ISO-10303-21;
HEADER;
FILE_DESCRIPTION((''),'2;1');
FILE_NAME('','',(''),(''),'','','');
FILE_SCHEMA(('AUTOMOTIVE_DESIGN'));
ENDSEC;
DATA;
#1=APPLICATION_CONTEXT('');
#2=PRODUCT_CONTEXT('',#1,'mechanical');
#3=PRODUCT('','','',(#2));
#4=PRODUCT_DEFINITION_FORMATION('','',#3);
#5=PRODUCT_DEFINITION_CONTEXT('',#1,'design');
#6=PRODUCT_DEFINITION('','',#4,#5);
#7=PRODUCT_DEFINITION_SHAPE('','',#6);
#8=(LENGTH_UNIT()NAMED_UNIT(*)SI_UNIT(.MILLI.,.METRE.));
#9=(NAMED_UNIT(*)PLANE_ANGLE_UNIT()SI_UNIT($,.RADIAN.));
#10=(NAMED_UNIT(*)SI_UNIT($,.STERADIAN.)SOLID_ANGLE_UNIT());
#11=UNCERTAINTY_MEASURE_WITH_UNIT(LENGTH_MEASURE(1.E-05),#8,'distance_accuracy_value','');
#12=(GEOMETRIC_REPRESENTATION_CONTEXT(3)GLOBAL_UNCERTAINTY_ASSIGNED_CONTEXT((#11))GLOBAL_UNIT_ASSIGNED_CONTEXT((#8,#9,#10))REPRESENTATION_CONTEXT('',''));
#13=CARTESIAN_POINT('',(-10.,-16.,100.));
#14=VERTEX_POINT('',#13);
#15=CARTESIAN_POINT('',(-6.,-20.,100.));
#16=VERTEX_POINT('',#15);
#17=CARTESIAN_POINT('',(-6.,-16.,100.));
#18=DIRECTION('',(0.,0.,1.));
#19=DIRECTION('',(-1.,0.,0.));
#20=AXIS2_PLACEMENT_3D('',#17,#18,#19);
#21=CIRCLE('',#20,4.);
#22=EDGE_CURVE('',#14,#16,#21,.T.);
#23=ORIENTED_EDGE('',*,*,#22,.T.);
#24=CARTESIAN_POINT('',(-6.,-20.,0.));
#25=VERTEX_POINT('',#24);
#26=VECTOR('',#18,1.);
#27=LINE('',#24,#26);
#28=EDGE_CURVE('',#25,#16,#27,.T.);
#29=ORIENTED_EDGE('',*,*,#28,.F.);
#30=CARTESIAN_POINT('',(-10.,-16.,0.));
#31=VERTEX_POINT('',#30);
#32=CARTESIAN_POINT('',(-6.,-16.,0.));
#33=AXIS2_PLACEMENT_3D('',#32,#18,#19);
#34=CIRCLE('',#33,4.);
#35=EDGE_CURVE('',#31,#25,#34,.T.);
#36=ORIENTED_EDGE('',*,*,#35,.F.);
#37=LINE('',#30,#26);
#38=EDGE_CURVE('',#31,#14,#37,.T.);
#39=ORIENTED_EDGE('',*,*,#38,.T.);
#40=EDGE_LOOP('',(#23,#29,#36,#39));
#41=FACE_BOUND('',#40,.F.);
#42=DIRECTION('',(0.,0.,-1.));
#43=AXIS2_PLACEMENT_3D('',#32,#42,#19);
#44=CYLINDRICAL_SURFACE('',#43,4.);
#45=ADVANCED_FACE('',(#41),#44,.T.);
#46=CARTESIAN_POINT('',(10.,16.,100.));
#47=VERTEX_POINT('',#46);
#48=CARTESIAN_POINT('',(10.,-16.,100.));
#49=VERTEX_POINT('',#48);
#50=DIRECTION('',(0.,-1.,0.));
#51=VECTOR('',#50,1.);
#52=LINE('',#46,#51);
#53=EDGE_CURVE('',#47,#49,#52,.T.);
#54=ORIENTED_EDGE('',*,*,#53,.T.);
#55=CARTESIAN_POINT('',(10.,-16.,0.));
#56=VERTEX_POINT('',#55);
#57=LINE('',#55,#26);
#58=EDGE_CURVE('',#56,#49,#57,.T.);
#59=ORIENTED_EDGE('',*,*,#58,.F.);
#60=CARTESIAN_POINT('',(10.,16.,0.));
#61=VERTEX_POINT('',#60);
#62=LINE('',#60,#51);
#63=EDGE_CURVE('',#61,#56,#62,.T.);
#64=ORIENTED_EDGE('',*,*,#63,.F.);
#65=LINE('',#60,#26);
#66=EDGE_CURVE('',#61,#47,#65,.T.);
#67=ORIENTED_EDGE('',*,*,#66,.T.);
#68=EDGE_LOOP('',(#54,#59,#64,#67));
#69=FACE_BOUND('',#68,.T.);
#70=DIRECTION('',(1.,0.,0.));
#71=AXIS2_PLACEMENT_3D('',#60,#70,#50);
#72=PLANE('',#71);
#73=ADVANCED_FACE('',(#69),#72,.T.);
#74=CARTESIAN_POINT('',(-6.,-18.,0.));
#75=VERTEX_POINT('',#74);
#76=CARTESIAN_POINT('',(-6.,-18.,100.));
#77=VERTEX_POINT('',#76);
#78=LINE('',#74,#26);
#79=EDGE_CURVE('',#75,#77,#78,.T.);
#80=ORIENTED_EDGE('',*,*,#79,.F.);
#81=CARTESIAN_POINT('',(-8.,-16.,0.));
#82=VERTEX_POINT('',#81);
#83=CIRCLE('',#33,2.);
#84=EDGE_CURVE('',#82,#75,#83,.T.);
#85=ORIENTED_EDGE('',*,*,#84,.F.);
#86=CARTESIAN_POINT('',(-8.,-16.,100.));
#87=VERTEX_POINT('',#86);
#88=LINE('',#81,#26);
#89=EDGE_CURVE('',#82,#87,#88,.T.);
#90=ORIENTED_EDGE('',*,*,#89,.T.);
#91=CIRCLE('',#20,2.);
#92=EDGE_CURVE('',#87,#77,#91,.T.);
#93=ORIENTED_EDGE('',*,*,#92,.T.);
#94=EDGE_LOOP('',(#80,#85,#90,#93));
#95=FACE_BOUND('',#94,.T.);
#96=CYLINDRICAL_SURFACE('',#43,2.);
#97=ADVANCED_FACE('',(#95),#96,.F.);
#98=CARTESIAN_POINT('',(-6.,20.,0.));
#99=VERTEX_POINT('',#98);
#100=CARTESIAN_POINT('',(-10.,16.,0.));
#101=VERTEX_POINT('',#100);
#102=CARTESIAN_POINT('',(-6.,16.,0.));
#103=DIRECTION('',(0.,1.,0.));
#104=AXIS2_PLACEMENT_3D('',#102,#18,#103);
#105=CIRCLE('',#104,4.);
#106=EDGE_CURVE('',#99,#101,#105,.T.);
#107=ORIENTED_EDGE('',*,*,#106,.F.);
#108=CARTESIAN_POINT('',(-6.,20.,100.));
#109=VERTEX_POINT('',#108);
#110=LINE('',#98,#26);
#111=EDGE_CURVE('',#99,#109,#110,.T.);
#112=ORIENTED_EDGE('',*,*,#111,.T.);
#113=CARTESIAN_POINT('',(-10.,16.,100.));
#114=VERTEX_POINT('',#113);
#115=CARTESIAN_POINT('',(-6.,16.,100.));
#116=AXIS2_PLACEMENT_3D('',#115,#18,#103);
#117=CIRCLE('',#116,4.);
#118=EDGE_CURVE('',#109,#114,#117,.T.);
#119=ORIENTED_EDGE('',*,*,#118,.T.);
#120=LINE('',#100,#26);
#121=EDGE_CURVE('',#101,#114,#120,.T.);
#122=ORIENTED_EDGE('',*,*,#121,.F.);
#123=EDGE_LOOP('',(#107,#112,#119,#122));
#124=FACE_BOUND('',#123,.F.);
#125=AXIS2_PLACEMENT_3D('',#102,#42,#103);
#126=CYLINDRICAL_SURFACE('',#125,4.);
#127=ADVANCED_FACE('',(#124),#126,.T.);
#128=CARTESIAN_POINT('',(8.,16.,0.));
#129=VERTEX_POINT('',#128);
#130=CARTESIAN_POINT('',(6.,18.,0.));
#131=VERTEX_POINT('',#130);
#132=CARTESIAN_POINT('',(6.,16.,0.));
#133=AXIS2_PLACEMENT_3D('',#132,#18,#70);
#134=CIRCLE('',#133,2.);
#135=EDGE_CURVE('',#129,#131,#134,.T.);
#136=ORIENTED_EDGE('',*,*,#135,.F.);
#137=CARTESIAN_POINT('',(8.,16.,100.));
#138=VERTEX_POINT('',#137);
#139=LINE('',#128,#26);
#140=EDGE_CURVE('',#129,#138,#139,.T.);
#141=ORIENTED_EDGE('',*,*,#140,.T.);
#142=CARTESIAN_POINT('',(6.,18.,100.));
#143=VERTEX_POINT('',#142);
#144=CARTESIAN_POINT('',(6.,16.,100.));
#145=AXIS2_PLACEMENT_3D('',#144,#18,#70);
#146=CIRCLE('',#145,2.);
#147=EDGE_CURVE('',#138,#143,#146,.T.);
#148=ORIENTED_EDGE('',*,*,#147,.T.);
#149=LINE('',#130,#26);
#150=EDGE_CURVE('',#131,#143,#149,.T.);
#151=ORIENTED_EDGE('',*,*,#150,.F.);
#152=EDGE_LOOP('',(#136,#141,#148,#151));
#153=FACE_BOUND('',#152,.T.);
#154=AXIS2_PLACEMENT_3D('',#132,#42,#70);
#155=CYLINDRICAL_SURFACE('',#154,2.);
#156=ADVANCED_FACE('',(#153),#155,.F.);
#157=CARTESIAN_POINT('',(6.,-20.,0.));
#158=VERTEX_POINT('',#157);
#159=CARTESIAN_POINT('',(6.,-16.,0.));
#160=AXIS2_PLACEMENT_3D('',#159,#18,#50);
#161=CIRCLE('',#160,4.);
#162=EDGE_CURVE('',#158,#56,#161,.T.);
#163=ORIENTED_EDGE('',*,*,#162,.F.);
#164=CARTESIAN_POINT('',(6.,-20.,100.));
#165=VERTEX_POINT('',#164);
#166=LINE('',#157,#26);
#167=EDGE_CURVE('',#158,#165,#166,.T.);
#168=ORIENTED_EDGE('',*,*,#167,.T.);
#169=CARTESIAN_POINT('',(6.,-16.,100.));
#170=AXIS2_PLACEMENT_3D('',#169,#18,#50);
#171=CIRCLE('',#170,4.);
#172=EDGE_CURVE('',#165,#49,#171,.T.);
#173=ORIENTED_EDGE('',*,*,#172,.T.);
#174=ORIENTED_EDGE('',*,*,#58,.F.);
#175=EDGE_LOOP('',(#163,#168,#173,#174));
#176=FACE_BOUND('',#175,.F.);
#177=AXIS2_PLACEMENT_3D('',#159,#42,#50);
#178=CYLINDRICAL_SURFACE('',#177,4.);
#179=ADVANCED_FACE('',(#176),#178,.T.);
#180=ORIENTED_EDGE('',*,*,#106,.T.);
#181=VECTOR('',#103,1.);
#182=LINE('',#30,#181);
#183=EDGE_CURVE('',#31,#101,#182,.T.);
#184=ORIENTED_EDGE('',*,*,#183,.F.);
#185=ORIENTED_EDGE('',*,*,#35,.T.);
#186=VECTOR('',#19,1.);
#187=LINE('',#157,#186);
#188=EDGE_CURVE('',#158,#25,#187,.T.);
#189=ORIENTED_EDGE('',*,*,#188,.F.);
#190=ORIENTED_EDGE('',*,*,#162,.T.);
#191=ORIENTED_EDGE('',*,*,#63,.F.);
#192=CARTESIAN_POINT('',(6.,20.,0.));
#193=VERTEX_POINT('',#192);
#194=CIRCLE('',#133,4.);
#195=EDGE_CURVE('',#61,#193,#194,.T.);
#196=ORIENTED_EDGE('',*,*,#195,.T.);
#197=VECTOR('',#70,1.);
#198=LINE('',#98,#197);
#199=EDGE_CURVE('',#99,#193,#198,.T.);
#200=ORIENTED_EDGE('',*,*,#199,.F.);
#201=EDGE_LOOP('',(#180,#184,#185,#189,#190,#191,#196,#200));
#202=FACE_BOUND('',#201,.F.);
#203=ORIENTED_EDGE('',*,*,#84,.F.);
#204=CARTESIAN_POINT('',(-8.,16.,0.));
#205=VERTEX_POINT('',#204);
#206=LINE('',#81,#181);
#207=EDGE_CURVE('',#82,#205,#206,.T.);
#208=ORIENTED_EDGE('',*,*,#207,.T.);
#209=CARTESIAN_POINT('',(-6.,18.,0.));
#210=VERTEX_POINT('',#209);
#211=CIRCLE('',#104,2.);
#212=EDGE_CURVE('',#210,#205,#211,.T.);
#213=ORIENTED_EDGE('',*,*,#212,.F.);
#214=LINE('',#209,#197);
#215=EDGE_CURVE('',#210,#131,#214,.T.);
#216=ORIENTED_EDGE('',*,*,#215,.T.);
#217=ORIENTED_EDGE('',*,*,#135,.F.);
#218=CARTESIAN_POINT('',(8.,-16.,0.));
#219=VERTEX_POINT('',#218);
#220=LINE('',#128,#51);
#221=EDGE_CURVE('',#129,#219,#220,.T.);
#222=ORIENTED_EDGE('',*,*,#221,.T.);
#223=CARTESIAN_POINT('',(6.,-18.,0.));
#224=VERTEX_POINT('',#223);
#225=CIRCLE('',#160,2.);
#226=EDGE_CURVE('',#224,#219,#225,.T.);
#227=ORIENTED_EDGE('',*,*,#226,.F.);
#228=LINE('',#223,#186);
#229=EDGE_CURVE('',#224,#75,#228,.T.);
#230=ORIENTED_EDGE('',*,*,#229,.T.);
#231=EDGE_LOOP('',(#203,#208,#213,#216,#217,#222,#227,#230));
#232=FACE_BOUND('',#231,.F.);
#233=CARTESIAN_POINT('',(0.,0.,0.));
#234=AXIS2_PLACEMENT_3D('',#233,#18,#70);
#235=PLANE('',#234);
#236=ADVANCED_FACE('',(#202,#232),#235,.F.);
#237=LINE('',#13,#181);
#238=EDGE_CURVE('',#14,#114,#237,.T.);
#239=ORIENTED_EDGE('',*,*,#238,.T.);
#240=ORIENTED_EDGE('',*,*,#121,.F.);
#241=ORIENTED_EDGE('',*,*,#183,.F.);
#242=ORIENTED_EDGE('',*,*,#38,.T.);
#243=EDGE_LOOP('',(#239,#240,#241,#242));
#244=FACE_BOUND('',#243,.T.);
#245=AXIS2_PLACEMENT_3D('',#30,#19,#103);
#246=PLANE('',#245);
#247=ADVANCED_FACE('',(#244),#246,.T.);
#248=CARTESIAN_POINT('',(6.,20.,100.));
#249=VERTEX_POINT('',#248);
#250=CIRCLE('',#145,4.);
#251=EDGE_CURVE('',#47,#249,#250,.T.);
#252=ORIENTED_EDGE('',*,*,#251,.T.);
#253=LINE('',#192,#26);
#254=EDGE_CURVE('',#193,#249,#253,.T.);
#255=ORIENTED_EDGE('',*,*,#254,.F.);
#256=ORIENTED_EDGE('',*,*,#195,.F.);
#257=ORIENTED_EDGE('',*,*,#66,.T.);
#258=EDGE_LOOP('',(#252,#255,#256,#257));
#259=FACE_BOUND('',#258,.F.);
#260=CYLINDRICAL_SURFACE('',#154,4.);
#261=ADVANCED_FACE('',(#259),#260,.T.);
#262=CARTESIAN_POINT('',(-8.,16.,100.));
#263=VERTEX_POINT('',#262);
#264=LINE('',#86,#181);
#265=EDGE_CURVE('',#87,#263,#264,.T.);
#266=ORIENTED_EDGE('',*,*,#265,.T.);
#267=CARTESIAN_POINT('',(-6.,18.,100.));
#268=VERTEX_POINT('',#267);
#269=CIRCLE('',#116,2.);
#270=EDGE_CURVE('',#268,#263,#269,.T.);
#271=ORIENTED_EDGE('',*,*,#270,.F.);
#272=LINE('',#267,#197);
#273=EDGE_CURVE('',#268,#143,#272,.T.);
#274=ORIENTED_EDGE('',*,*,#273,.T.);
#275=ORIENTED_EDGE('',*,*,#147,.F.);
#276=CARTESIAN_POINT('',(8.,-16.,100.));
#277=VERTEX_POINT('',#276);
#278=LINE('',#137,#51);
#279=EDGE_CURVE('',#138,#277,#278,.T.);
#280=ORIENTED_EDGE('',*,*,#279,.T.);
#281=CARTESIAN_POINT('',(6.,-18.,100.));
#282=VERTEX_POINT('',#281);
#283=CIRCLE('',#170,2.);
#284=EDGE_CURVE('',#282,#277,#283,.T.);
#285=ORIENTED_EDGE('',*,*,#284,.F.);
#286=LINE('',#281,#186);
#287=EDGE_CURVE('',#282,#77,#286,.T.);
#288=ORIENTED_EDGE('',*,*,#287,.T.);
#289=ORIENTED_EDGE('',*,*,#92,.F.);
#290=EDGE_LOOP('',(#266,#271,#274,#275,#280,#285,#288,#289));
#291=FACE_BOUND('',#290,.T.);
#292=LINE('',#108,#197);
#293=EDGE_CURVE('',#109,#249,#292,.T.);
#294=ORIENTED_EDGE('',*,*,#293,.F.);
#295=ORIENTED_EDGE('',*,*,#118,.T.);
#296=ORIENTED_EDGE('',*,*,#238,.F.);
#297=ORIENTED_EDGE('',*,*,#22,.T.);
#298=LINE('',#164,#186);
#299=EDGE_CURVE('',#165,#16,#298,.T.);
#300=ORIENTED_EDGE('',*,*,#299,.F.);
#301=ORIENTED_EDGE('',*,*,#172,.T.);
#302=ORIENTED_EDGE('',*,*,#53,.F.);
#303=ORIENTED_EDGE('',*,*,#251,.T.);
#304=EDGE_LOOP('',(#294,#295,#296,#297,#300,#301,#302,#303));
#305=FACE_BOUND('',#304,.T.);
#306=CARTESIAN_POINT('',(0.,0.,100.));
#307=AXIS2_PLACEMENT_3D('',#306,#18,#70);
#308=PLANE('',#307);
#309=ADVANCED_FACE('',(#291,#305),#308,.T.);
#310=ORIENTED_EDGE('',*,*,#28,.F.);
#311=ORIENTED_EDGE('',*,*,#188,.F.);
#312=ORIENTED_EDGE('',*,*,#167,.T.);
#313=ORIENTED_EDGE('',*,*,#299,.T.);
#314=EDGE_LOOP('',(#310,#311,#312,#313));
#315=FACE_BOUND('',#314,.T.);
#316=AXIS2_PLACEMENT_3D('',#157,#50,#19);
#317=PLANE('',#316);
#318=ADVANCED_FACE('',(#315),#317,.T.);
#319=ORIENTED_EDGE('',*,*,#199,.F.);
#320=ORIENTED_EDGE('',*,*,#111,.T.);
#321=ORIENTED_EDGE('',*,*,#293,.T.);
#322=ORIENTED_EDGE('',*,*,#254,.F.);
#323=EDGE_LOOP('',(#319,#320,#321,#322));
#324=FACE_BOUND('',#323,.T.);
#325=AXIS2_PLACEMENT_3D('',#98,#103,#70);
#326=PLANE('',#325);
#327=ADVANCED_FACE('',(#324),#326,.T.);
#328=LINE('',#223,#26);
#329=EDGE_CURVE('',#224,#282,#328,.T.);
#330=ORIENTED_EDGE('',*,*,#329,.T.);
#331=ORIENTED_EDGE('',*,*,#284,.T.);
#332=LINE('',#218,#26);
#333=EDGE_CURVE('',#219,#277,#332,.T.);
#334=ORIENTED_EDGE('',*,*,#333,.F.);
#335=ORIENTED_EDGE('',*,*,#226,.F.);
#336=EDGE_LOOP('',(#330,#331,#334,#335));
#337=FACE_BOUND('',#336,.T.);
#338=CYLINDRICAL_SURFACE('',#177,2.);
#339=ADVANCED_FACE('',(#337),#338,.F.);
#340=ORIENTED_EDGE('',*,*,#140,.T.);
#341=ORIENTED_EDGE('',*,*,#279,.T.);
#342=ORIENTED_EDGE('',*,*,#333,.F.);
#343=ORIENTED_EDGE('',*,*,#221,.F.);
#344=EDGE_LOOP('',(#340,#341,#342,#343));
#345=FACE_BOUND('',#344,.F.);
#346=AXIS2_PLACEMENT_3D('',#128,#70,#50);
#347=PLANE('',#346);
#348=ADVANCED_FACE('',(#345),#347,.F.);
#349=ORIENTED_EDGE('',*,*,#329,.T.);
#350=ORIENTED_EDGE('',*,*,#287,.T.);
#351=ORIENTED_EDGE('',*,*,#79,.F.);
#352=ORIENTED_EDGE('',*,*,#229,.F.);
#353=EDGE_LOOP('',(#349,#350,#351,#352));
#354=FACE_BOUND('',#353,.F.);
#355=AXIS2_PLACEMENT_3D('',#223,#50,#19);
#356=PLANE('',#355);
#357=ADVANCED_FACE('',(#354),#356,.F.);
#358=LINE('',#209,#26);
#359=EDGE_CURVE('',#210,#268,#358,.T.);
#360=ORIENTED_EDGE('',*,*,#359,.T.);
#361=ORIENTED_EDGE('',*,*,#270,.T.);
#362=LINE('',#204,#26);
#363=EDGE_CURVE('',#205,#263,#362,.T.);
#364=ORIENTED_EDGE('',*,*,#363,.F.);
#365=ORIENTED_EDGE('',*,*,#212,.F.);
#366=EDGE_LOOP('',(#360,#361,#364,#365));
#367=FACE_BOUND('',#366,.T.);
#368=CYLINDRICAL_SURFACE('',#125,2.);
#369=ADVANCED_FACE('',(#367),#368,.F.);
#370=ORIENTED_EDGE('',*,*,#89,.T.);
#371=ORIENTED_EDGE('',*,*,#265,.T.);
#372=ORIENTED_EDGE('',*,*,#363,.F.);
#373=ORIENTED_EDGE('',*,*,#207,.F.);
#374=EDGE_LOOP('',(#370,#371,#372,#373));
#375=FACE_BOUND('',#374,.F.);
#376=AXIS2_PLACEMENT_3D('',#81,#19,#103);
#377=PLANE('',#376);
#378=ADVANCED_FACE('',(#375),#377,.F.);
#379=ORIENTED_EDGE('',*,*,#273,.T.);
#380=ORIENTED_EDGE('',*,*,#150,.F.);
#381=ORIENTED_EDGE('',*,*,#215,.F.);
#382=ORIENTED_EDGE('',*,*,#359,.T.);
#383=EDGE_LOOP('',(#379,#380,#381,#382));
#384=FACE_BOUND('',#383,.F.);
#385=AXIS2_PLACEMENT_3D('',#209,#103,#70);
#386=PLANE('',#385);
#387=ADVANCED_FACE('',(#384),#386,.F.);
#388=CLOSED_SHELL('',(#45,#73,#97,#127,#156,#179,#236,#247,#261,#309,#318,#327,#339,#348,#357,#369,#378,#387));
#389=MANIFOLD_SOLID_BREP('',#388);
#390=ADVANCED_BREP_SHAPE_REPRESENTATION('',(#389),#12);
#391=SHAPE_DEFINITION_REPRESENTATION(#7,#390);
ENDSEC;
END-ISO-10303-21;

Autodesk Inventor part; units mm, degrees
ref_plane "YZ Plane" through (0, 0, 0) normal (1, 0, 0) x (0, 1, 0)
ref_plane "Начальная плоскость" through (0, 0, 0) normal (0, 0, 1) x (1, 0, 0)
ref_plane "Конечная плоскость" through (0, 0, 100) normal (0, 0, 1) x (1, 0, 0)
sketch "Эскиз" plane through (0, 0, 0) normal (0, 0, 1) x (1, 0, 0)
  line L0 (-10, -16) -> (-10, 16)
  line L1 (-6, 20) -> (6, 20)
  line L2 (10, 16) -> (10, -16)
  line L3 (6, -20) -> (-6, -20)
  arc A0 (-10, -16) -> (-6, -20) centre (-6, -16) ccw
  arc A1 (-6, 20) -> (-10, 16) centre (-6, 16) ccw
  arc A2 (10, 16) -> (6, 20) centre (6, 16) ccw
  arc A3 (6, -20) -> (10, -16) centre (6, -16) ccw
  arc A4 (-6, 18) -> (-8, 16) centre (-6, 16) ccw
  line L4 (-6, 18) -> (6, 18)
  arc A5 (8, 16) -> (6, 18) centre (6, 16) ccw
  line L5 (8, 16) -> (8, -16)
  arc A6 (6, -18) -> (8, -16) centre (6, -16) ccw
  line L6 (6, -18) -> (-6, -18)
  arc A7 (-8, -16) -> (-6, -18) centre (-6, -16) ccw
  line L7 (-8, -16) -> (-8, 16)
  line L8 (0, 29.1598) -> (0, -29.1598) construction
  line L9 (-15.1598, 0) -> (15.1598, 0) construction
  dimension "d7" = 4
  dimension "d10" = 40
  dimension "d11" = 20
  dimension "d12" = 2
  dimension "d15" = 20
  dimension "d16" = 10
extrude "Тело" add sketch "Эскиз" along normal up to surface (100 mm away) from surface at 0
sketch "Sketch3" plane through (0, 0, 0) normal (0, 0, 1) x (1, 0, 0)
  line L0 (0, 0) -> (10, 0)
ref_plane "Work Plane3" through (0, 0, 0) normal (0, -1, 0) x (1, 0, 0)
sketch "Sketch4" plane through (0, 0, 0) normal (0, -1, 0) x (1, 0, 0)
  line L0 (-2, 0) -> (12, 0) projected
  line L1 (-2, 100) -> (12, 100) projected
  dimension "d18" = 100
equation "\"d7\" = G_IR"
equation "\"d10\" = G_H"
equation "\"d11\" = G_W"
equation "\"d12\" = G_T"
equation "\"d15\" = 0.5 * d10"
equation "\"d16\" = 0.5 * d11"
equation "\"d3\" = G_L"
equation "\"G_W\" = 20"
equation "\"G_H\" = 40"
equation "\"G_T\" = 2"
equation "\"G_IR\" = 4"
equation "\"G_L\" = d18"
equation "\"G_OFFSET_START\" = 0"
equation "\"G_OFFSET_END\" = 0"
equation "\"d14\" = G_OFFSET_END + B_L"
equation "\"B_L\" = 100.00004"
properties part number "DIN EN 10219-2 - 40 x 20 x 2  - 100" material "Нержавеющая сталь"
